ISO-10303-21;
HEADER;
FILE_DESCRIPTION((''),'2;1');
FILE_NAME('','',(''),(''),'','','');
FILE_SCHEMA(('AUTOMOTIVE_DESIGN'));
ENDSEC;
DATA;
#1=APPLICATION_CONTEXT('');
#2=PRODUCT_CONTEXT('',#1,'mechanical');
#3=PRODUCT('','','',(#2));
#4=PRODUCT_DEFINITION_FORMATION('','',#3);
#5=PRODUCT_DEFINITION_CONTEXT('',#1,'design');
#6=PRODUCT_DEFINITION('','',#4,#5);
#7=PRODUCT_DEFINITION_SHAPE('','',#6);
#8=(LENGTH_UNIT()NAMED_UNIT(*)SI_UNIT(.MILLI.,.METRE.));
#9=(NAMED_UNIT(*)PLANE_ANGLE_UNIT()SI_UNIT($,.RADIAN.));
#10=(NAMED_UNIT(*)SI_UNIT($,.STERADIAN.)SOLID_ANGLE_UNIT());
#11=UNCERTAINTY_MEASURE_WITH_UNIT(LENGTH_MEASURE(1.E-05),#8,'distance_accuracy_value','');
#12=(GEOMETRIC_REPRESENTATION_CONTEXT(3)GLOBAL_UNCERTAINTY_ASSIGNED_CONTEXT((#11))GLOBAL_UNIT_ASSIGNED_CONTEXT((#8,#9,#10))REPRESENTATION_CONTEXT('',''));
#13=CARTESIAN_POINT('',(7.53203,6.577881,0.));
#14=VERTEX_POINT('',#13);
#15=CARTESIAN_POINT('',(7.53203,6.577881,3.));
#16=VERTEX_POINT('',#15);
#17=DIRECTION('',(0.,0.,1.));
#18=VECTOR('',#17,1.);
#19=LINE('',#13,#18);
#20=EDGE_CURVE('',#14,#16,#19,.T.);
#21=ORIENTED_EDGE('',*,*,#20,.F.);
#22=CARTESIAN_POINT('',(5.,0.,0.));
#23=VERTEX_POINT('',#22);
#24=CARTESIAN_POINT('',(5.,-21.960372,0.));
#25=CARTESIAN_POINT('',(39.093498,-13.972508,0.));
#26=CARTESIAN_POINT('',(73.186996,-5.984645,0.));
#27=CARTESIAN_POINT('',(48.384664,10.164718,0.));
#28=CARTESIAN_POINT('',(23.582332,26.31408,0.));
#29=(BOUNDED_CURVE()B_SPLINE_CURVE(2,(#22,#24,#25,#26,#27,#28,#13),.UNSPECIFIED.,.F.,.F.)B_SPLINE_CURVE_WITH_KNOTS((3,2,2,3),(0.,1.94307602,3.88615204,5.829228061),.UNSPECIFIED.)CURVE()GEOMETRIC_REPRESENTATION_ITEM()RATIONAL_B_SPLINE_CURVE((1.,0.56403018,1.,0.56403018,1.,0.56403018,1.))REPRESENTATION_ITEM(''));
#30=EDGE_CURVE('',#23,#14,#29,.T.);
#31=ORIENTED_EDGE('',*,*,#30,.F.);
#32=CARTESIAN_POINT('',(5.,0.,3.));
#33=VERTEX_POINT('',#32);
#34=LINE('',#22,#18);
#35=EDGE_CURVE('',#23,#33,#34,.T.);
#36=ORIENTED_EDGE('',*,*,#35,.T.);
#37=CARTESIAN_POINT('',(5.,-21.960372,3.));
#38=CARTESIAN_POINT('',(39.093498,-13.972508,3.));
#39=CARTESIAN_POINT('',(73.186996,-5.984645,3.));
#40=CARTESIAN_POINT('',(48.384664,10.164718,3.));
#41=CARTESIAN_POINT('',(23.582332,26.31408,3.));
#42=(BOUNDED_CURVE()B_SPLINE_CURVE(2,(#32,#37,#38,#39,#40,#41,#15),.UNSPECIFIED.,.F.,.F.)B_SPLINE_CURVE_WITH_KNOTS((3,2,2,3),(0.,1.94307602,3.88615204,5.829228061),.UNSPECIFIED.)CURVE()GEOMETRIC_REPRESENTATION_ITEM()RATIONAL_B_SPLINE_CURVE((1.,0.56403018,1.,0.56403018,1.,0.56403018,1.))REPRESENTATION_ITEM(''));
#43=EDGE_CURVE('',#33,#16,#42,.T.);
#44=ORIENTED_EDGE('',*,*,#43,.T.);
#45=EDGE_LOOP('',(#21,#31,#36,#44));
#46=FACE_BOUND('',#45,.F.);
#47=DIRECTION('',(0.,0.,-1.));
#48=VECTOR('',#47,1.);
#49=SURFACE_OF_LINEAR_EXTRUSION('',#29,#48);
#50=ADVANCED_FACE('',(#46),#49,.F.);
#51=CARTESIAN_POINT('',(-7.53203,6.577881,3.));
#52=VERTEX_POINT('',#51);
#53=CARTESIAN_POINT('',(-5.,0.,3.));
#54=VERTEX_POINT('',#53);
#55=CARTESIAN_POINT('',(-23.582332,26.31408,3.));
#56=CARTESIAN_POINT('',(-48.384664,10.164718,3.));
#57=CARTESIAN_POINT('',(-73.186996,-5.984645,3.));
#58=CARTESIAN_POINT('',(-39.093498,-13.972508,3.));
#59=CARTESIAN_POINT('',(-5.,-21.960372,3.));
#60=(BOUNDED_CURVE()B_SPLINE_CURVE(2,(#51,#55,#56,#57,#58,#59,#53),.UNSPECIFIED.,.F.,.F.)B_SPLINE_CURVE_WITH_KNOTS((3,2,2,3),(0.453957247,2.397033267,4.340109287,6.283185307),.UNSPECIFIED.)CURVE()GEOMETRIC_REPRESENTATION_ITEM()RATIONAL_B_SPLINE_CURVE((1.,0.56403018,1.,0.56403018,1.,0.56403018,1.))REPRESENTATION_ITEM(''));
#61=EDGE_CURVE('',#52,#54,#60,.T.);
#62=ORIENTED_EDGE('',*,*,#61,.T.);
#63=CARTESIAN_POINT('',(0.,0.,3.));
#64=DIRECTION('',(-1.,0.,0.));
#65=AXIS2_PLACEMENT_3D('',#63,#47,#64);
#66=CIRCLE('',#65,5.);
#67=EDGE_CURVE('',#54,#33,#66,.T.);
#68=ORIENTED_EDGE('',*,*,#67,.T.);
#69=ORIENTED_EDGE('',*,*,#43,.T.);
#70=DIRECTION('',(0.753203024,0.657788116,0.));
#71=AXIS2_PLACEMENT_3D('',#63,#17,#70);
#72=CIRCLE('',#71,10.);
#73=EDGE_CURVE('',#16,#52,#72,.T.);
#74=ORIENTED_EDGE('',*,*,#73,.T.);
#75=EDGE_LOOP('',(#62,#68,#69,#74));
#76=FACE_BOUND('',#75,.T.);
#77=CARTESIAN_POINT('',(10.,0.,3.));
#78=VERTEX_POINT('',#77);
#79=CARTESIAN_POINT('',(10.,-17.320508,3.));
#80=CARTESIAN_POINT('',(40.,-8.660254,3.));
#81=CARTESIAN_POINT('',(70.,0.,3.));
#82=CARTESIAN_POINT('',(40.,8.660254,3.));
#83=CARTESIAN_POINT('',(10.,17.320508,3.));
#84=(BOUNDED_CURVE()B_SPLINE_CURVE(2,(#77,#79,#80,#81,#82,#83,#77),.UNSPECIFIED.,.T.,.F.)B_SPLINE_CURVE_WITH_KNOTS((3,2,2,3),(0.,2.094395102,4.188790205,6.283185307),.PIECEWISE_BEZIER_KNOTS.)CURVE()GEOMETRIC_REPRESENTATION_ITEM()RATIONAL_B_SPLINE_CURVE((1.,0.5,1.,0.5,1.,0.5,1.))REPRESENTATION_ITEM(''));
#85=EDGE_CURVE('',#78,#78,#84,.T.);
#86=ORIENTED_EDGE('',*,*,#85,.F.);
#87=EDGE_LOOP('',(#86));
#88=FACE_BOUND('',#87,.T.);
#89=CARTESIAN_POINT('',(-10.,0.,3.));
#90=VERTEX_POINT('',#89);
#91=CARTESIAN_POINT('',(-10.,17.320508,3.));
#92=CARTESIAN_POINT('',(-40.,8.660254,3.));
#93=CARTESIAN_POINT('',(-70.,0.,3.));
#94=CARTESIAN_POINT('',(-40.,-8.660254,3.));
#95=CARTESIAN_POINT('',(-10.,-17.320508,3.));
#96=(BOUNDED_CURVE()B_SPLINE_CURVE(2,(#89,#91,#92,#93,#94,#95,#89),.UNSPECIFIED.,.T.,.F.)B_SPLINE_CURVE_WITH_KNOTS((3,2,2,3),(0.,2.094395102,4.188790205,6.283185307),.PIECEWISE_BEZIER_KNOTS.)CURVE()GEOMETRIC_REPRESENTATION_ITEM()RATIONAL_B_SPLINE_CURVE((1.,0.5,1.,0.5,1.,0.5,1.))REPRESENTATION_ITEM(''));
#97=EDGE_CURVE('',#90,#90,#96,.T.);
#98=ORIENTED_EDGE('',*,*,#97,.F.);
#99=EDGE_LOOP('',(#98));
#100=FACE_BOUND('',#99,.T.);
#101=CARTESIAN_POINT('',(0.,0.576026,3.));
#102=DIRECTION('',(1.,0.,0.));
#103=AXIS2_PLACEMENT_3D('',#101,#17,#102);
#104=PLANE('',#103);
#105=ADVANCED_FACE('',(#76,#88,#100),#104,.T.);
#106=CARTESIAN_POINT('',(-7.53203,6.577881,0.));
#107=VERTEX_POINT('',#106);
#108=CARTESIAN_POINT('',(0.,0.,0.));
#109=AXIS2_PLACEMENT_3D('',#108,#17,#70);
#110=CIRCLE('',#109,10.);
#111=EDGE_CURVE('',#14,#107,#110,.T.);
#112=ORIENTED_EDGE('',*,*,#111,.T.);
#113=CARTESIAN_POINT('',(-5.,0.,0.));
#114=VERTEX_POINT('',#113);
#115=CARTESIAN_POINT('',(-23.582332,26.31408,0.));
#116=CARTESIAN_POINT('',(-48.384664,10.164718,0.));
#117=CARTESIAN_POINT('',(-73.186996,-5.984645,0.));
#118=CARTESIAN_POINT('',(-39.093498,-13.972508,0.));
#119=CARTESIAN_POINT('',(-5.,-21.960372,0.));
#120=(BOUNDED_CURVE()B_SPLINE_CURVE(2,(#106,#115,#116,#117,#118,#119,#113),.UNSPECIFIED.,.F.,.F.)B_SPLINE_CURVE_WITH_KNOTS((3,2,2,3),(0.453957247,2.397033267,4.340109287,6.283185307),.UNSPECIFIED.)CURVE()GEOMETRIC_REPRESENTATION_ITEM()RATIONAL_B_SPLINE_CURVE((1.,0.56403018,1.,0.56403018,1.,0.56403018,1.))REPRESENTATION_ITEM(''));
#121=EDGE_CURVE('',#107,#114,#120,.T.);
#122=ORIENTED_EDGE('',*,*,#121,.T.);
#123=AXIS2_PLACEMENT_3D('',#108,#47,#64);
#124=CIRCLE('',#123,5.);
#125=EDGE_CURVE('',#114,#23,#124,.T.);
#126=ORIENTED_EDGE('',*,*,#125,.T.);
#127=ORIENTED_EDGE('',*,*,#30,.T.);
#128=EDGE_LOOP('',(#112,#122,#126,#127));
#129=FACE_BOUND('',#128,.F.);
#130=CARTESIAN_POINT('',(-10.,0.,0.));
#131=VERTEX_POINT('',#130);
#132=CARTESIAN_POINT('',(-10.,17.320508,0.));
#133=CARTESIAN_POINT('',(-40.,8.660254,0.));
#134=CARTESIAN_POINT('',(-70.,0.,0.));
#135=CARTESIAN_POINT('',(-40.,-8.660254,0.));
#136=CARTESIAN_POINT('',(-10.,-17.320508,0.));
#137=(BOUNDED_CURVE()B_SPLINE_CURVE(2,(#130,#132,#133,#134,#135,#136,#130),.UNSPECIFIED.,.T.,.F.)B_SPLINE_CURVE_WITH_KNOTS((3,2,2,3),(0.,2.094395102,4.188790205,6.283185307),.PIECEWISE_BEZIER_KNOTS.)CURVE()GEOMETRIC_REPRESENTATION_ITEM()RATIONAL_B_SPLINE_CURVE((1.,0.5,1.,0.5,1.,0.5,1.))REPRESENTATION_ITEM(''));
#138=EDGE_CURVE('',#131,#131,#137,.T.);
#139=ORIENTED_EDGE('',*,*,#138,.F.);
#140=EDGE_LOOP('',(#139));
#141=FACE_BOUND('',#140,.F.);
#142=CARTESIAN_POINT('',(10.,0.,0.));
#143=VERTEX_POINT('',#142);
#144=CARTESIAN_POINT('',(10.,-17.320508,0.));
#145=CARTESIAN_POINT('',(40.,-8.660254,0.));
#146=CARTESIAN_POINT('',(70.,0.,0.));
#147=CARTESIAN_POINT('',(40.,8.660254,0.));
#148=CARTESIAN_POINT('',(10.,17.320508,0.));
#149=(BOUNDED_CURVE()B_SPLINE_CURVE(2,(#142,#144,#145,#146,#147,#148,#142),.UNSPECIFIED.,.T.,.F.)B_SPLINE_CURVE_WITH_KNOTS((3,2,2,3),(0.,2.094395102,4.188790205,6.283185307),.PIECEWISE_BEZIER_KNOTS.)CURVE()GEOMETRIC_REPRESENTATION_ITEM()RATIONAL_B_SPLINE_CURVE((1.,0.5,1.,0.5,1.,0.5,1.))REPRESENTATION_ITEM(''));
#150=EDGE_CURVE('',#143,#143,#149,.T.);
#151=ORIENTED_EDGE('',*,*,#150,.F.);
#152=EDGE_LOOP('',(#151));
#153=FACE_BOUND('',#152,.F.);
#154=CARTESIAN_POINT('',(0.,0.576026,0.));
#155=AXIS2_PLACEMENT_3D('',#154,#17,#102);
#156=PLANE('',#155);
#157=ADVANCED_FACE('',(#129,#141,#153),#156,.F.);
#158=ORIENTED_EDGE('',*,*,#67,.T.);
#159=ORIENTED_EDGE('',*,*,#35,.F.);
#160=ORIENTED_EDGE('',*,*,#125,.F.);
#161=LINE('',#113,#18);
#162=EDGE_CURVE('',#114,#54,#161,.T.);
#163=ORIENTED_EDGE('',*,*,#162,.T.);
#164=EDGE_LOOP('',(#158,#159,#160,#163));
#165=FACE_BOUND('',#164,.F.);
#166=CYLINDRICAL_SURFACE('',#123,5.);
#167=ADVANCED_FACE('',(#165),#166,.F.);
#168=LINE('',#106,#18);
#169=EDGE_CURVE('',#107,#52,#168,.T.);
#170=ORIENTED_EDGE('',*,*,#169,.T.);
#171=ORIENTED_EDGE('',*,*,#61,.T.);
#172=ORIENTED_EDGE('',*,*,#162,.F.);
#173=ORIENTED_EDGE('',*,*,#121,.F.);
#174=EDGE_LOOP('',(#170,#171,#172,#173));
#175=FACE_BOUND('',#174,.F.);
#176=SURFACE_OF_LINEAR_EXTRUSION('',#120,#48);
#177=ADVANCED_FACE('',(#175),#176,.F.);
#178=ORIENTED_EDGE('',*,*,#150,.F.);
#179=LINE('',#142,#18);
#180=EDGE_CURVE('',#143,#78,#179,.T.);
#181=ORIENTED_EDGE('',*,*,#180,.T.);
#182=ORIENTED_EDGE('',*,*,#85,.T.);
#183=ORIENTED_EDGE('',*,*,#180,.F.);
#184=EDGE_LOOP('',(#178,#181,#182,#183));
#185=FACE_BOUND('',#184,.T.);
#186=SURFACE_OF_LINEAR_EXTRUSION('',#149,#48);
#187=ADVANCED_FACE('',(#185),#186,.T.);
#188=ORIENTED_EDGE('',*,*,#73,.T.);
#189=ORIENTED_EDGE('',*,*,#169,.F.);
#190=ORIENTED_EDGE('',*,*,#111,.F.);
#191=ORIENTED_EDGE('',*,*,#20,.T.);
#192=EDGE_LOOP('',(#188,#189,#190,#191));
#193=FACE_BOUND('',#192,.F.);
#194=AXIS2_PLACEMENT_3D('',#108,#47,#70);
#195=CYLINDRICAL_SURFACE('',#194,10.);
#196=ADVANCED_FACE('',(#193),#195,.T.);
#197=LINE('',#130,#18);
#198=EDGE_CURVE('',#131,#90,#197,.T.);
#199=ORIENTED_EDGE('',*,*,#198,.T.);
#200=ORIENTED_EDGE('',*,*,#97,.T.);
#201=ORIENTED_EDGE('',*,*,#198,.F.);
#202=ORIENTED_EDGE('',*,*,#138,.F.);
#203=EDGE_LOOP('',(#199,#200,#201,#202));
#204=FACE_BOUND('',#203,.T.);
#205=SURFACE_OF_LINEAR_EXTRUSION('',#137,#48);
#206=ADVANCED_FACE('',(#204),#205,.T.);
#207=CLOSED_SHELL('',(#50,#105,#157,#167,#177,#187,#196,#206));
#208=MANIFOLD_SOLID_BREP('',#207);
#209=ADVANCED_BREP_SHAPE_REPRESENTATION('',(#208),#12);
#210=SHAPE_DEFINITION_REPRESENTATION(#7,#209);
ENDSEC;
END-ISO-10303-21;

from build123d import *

# Parameters (mm, degrees)
F1_DEPTH = 3


with BuildPart() as f1:
    # F0 (on Top) → F1 (new body)
    with BuildSketch(Plane.XY):
        with BuildLine():
            ThreePointArc((7.5320302372, 6.5778811563), (0, 10), (-7.5320302372, 6.5778811563))
            add(Edge.make_bspline(
                [(-7.5320302372, 6.5778811563), (-23.5823321737, 26.3140801556), (-48.38466386, 10.1647178275), (-73.1869955463, -5.9846445007), (-39.0934977731, -13.9725082705), (-5, -21.9603720404), (-5, 0)],
                knots=[0.4539572467, 0.4539572467, 0.4539572467, 2.3970332669, 2.3970332669, 4.340109287, 4.340109287, 6.2831853072, 6.2831853072, 6.2831853072], degree=2, weights=[1, 0.5640301805, 1, 0.5640301805, 1, 0.5640301805, 1]))
            ThreePointArc((-5, 0), (0, 5), (5, 0))
            add(Edge.make_bspline(
                [(5, 0), (5, -21.9603720404), (39.0934977731, -13.9725082705), (73.1869955463, -5.9846445007), (48.38466386, 10.1647178275), (23.5823321737, 26.3140801556), (7.5320302372, 6.5778811563)],
                knots=[0, 0, 0, 1.9430760202, 1.9430760202, 3.8861520403, 3.8861520403, 5.8292280605, 5.8292280605, 5.8292280605], degree=2, weights=[1, 0.5640301805, 1, 0.5640301805, 1, 0.5640301805, 1]))
        make_face()
        with BuildLine():
            add(Edge.make_bspline(
                [(-10, 0), (-10, 17.3205080757), (-40, 8.6602540378), (-70, 0), (-40, -8.6602540378), (-10, -17.3205080757), (-10, 0)],
                knots=[0, 0, 0, 2.0943951024, 2.0943951024, 4.1887902048, 4.1887902048, 6.2831853072, 6.2831853072, 6.2831853072], degree=2, weights=[1, 0.5, 1, 0.5, 1, 0.5, 1]))
        make_face(mode=Mode.SUBTRACT)
        with BuildLine():
            add(Edge.make_bspline(
                [(10, 0), (10, -17.3205080757), (40, -8.6602540378), (70, 0), (40, 8.6602540378), (10, 17.3205080757), (10, 0)],
                knots=[0, 0, 0, 2.0943951024, 2.0943951024, 4.1887902048, 4.1887902048, 6.2831853072, 6.2831853072, 6.2831853072], degree=2, weights=[1, 0.5, 1, 0.5, 1, 0.5, 1]))
        make_face(mode=Mode.SUBTRACT)
    extrude(amount=F1_DEPTH)


solid = f1.part
